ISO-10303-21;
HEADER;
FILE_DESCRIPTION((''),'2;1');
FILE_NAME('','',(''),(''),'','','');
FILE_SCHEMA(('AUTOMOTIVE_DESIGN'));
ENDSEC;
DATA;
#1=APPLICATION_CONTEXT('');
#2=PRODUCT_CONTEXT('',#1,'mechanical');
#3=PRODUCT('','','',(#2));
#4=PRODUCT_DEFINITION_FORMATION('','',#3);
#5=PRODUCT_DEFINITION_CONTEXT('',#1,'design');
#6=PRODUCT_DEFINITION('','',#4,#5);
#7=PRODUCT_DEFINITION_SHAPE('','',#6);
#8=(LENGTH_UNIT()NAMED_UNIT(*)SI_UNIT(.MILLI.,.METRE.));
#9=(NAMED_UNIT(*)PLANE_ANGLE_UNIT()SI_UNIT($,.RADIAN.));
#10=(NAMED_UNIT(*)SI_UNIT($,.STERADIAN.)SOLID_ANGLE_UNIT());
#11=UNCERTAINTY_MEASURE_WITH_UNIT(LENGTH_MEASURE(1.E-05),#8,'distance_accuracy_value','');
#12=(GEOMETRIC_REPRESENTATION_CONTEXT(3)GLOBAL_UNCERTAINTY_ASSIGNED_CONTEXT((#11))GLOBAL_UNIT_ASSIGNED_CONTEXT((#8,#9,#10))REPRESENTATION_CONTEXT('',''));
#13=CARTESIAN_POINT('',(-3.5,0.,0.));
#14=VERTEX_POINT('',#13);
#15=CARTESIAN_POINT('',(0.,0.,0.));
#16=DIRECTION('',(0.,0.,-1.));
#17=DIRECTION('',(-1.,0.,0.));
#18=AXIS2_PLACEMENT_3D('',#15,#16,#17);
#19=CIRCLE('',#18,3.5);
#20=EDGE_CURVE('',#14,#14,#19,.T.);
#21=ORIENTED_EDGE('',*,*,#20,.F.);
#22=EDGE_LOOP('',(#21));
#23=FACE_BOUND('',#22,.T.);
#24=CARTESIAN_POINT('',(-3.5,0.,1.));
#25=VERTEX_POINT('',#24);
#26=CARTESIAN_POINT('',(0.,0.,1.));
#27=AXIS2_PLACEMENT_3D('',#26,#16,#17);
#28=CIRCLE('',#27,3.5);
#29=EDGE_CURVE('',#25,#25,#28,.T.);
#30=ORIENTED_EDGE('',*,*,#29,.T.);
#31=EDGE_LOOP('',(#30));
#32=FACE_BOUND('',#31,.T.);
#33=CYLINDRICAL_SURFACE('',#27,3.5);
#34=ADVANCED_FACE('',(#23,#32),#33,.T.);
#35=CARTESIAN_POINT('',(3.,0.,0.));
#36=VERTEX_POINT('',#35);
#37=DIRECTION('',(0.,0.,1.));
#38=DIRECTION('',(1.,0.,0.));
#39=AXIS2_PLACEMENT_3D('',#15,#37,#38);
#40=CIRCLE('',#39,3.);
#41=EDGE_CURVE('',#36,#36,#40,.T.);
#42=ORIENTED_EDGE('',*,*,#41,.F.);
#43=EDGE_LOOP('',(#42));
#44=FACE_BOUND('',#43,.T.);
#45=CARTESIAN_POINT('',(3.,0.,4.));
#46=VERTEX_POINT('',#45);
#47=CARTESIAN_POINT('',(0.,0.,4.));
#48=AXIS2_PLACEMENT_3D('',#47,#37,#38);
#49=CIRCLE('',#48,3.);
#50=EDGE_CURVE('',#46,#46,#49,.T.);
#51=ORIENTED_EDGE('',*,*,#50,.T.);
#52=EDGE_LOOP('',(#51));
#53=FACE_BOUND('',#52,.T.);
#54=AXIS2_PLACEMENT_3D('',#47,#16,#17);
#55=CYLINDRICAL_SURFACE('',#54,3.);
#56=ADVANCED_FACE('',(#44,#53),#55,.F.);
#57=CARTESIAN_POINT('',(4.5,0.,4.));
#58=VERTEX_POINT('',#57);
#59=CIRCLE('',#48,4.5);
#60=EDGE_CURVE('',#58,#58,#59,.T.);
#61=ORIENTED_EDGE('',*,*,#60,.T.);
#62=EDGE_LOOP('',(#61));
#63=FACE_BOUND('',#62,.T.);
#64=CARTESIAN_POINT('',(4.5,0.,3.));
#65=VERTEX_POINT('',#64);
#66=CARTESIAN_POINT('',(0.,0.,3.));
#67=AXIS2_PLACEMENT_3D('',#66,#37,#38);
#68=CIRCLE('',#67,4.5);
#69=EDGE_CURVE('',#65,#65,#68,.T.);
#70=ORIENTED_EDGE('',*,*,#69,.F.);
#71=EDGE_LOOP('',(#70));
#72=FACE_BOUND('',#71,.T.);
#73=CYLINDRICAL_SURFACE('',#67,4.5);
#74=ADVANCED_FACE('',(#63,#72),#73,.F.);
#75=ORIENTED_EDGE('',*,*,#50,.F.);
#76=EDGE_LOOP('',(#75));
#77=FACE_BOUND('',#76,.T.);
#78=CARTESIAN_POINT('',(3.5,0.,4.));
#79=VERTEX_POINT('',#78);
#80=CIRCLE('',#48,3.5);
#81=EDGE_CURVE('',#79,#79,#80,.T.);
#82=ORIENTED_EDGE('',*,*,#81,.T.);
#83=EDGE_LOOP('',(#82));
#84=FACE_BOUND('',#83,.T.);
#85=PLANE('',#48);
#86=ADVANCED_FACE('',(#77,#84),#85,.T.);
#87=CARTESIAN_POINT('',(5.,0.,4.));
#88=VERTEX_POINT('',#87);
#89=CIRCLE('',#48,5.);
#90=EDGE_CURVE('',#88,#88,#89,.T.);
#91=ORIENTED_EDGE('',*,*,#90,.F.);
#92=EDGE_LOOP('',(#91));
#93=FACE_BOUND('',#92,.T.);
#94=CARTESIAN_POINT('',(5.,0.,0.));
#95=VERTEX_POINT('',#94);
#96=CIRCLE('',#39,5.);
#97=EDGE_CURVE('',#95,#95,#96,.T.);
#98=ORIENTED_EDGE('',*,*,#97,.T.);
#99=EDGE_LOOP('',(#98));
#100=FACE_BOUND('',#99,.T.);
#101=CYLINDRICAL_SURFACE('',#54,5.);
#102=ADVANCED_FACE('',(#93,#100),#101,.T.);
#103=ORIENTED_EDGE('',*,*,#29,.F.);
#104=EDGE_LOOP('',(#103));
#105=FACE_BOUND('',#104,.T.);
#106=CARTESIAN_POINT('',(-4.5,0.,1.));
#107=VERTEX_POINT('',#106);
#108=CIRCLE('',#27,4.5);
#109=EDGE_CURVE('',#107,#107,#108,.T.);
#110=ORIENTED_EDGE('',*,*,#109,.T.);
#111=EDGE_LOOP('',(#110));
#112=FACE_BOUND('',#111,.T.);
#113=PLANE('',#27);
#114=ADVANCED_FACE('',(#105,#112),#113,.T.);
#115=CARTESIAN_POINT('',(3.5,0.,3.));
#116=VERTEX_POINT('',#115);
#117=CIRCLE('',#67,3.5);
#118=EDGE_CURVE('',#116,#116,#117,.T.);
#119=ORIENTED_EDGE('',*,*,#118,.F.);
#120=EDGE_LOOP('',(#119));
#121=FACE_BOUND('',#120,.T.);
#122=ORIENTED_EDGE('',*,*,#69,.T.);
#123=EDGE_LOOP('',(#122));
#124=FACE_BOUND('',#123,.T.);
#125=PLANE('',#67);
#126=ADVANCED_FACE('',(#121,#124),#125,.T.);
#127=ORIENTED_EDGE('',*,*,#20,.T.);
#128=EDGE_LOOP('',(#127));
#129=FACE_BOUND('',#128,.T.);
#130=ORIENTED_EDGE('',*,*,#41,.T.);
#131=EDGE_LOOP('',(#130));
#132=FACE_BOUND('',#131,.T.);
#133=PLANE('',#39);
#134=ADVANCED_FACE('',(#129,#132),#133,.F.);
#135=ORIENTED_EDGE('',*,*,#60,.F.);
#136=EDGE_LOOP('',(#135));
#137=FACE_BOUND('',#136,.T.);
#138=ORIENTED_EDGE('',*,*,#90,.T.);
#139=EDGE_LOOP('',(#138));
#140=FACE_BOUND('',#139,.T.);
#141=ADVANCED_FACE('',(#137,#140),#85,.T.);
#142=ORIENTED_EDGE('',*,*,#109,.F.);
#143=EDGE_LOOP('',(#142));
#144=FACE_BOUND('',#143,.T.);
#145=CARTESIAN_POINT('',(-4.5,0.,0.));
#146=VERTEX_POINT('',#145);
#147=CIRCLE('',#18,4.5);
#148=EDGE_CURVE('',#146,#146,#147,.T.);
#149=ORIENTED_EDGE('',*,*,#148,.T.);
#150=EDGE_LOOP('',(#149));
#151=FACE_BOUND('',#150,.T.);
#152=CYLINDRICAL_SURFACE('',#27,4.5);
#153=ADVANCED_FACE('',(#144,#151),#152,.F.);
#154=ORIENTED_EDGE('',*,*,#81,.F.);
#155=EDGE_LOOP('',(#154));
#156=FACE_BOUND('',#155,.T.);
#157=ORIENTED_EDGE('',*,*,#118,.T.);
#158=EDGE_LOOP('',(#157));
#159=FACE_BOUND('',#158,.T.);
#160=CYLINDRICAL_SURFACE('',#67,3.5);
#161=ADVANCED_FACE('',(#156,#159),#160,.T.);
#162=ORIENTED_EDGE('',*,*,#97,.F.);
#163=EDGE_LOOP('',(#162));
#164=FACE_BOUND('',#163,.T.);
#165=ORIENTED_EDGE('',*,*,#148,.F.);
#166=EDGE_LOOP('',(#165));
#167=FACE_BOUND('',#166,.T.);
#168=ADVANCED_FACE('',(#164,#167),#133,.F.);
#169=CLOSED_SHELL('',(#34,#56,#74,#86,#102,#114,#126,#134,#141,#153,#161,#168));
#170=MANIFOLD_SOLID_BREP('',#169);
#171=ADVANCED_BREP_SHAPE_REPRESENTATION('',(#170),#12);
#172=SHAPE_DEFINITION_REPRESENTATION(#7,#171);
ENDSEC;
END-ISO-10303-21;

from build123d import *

# Parameters (mm, degrees)
SKETCH_1_R          = 5
SKETCH_1_R_2        = 3
EXTRUDE_1_DEPTH     = 4
SKETCH_2_R          = 4.5
SKETCH_2_R_2        = 3.5
CUT_EXTRUDE_1_DEPTH = 1
CUT_EXTRUDE_START   = -1
SKETCH_3_R          = 4.5
SKETCH_3_R_2        = 3.5
CUT_EXTRUDE_2_DEPTH = 1


with BuildPart() as part:
    # 草图1 → 凸台-拉伸1 (new body)
    with BuildSketch(Plane.XY):
        Circle(SKETCH_1_R)
        Circle(SKETCH_1_R_2, mode=Mode.SUBTRACT)
    extrude(amount=EXTRUDE_1_DEPTH)

    # 草图2 → 切除-拉伸1 (cut)
    with BuildSketch(Plane.XY.offset(4)):
        Circle(SKETCH_2_R)
        Circle(SKETCH_2_R_2, mode=Mode.SUBTRACT)
    extrude(amount=-CUT_EXTRUDE_1_DEPTH, mode=Mode.SUBTRACT)

    # 草图3 → 切除-拉伸2 (cut)
    with BuildSketch(Plane(origin=(0, 0, 0), x_dir=(-1, 0, 0), z_dir=(0, 0, -1)).offset(CUT_EXTRUDE_START)):
        with Locations(Location((0, 0, 0), (0, 0, 180))):
            Circle(SKETCH_3_R)
        with Locations(Location((0, 0, 0), (0, 0, 180))):
            Circle(SKETCH_3_R_2, mode=Mode.SUBTRACT)
    extrude(amount=CUT_EXTRUDE_2_DEPTH, mode=Mode.SUBTRACT)


solid = part.part
